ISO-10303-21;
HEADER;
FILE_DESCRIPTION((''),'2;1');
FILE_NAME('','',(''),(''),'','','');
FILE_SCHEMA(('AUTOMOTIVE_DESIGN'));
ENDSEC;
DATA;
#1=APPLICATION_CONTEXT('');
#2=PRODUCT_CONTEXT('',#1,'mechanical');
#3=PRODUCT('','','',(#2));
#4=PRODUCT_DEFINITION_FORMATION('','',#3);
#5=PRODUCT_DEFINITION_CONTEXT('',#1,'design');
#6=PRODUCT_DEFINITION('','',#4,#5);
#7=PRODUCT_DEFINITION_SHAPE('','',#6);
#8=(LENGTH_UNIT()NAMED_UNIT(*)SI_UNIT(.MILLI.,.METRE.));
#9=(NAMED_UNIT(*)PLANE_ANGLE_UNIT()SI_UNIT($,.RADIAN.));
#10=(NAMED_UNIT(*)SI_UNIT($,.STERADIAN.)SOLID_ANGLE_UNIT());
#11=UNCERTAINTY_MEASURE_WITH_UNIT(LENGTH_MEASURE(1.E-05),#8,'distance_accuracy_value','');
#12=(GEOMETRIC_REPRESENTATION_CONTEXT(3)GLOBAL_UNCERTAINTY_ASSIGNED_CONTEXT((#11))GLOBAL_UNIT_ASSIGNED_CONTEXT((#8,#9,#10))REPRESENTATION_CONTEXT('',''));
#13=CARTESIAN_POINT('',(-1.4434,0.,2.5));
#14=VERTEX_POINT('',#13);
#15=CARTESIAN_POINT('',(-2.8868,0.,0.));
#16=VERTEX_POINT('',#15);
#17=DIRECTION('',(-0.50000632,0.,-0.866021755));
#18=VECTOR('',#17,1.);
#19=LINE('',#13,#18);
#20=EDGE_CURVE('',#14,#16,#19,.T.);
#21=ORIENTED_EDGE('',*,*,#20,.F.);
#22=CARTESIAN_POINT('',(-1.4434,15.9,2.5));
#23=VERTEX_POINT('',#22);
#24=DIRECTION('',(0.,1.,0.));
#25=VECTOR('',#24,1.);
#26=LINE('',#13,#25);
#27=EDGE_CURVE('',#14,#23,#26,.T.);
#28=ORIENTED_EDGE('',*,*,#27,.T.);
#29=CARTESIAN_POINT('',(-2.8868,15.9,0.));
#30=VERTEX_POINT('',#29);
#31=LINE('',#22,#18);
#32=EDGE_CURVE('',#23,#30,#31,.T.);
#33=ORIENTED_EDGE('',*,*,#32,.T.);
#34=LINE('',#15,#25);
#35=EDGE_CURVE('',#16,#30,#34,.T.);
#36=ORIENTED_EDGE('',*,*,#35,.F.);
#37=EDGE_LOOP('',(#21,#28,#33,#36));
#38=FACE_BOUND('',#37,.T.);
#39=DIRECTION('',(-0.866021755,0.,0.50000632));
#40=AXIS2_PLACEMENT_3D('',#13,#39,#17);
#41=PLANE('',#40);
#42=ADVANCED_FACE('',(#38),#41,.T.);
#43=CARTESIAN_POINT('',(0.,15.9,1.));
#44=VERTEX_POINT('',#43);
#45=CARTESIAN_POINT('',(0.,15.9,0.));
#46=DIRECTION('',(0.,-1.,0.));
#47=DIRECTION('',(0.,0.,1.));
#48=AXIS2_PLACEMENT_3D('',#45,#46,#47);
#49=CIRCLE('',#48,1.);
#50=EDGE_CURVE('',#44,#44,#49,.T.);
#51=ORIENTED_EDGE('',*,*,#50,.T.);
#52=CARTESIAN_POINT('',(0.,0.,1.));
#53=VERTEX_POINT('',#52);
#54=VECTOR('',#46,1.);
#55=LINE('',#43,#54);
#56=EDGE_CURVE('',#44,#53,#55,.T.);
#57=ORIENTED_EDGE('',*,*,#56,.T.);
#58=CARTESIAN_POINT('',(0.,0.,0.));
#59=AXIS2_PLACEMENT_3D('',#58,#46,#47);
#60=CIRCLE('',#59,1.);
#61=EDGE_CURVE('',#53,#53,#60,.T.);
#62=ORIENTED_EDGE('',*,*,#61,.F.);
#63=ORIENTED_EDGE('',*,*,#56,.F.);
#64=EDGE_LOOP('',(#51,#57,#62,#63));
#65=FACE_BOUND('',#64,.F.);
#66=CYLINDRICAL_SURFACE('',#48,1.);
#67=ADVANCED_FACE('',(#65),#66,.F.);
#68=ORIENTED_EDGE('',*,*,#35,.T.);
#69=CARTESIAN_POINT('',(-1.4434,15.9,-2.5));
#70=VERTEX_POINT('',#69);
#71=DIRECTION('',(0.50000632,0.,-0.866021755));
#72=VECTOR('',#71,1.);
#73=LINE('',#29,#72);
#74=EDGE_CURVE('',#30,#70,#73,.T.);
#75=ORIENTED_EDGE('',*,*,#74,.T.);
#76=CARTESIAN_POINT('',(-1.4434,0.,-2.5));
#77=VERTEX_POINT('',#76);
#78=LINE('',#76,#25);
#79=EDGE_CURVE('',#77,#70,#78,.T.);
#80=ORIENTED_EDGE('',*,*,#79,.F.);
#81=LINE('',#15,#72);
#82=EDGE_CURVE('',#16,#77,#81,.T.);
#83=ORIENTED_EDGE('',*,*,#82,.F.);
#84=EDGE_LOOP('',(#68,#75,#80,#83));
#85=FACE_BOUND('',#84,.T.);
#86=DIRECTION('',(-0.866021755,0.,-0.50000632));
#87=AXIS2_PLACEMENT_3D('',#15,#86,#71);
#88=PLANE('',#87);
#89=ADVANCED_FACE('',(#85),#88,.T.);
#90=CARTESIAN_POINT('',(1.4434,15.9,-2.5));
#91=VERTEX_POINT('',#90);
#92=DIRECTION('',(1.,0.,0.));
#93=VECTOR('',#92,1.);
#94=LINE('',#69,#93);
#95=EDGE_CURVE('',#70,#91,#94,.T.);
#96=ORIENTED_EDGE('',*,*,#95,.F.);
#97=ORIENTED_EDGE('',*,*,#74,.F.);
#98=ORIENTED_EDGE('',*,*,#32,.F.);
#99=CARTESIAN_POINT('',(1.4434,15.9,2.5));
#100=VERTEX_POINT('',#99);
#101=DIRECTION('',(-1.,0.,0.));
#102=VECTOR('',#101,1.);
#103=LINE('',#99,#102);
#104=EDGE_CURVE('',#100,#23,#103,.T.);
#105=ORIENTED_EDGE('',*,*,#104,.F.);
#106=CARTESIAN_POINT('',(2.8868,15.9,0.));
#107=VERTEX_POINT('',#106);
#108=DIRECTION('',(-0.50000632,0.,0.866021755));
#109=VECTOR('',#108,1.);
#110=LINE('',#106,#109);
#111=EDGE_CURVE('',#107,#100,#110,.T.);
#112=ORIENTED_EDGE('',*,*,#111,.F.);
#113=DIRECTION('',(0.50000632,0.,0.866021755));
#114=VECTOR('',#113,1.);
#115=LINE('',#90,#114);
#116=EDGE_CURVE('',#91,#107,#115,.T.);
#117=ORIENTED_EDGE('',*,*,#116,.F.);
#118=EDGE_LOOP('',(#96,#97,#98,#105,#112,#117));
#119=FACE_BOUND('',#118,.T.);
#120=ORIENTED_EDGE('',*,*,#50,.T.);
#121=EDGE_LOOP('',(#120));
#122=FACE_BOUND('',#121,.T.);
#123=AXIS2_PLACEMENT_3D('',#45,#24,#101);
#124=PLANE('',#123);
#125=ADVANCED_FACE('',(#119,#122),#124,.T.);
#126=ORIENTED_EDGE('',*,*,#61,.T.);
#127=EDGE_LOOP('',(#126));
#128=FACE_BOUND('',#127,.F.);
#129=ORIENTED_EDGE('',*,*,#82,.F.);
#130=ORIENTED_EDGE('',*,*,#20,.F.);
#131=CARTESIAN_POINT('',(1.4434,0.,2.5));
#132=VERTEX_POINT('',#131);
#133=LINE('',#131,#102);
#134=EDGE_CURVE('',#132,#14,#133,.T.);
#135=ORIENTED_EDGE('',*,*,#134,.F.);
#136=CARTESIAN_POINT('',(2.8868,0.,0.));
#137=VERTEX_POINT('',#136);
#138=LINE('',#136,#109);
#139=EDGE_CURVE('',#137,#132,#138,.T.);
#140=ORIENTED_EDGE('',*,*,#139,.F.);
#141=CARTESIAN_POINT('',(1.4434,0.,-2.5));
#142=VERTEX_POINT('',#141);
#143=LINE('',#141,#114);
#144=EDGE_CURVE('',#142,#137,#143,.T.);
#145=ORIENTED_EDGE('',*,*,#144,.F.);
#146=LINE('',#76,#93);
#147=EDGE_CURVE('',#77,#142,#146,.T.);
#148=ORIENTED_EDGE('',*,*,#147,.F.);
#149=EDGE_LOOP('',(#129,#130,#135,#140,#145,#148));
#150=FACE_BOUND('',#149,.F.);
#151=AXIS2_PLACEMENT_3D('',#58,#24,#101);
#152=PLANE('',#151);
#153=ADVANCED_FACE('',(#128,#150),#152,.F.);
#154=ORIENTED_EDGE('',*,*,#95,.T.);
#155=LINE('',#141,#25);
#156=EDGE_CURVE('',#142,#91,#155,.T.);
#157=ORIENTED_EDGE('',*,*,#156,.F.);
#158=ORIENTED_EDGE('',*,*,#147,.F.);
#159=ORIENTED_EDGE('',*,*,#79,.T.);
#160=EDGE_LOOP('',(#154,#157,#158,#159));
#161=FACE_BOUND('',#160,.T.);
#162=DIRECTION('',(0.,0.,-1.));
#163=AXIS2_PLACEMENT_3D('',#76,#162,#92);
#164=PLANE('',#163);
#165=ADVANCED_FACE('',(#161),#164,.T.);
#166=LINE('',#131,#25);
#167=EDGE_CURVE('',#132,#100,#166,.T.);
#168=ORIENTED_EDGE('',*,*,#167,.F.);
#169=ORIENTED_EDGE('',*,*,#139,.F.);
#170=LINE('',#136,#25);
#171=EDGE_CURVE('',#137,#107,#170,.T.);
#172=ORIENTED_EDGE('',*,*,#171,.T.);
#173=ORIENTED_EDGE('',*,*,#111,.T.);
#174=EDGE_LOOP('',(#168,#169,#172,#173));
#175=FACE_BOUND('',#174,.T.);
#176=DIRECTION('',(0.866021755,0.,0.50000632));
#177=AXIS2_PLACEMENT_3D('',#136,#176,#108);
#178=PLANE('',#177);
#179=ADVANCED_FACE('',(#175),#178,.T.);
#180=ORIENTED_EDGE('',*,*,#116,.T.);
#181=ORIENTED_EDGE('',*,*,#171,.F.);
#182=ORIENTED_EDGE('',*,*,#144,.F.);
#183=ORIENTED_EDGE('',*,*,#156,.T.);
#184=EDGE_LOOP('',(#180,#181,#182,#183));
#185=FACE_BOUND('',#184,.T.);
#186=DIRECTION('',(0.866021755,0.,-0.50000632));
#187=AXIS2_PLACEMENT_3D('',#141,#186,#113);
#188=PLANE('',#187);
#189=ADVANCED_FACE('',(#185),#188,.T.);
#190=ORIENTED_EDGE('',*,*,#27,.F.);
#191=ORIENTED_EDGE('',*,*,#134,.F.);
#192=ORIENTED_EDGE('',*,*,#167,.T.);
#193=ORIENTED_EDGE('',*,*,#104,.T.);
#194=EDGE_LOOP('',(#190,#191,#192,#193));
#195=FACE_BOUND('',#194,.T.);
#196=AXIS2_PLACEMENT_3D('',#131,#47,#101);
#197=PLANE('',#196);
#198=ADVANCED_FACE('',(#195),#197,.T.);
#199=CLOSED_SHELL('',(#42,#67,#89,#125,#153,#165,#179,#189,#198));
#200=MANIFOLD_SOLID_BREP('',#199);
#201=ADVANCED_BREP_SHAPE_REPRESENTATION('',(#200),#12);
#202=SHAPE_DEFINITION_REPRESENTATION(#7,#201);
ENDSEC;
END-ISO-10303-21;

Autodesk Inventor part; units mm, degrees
ref_plane "YZ Plane" through (0, 0, 0) normal (1, 0, 0) x (0, 1, 0)
ref_plane "XZ Plane" through (0, 0, 0) normal (0, 1, 0) x (-1, 0, 0)
ref_plane "XY Plane" through (0, 0, 0) normal (0, 0, 1) x (1, 0, 0)
sketch "Эскиз1" plane through (0, 0, 0) normal (0, 1, 0) x (-1, 0, 0)
  line L0 (1.4434, 2.5) -> (2.8868, 0)
  line L1 (2.8868, 0) -> (1.4434, -2.5)
  line L2 (1.4434, -2.5) -> (-1.4434, -2.5)
  line L3 (-1.4434, -2.5) -> (-2.8868, 0)
  line L4 (-2.8868, 0) -> (-1.4434, 2.5)
  line L5 (-1.4434, 2.5) -> (1.4434, 2.5)
  point P0 (0, 0)
  point P1 (0, 0)
  dimension "d0" = 5
extrude "Выдавливание1" add sketch "Эскиз1" along normal blind 15.9
sketch "Эскиз2" plane through (0, 15.9, 0) normal (0, 1, 0) x (1, 0, 0)
  line L0 (1.4434, 2.5) -> (-1.4434, 2.5) projected
  line L1 (-1.4434, 2.5) -> (-2.8868, 0) projected
  line L2 (-2.8868, 0) -> (-1.4434, -2.5) projected
  line L3 (-1.4434, -2.5) -> (1.4434, -2.5) projected
  line L4 (1.4434, -2.5) -> (2.8868, 0) projected
  line L5 (2.8868, 0) -> (1.4434, 2.5) projected
  point P0 (0, 0)
hole "Отверстие1" at (0, 15.9, 0) direction (0, -1, 0) diameter 2 end through all
properties part number "Проставка для стойки RPLIDAR"
